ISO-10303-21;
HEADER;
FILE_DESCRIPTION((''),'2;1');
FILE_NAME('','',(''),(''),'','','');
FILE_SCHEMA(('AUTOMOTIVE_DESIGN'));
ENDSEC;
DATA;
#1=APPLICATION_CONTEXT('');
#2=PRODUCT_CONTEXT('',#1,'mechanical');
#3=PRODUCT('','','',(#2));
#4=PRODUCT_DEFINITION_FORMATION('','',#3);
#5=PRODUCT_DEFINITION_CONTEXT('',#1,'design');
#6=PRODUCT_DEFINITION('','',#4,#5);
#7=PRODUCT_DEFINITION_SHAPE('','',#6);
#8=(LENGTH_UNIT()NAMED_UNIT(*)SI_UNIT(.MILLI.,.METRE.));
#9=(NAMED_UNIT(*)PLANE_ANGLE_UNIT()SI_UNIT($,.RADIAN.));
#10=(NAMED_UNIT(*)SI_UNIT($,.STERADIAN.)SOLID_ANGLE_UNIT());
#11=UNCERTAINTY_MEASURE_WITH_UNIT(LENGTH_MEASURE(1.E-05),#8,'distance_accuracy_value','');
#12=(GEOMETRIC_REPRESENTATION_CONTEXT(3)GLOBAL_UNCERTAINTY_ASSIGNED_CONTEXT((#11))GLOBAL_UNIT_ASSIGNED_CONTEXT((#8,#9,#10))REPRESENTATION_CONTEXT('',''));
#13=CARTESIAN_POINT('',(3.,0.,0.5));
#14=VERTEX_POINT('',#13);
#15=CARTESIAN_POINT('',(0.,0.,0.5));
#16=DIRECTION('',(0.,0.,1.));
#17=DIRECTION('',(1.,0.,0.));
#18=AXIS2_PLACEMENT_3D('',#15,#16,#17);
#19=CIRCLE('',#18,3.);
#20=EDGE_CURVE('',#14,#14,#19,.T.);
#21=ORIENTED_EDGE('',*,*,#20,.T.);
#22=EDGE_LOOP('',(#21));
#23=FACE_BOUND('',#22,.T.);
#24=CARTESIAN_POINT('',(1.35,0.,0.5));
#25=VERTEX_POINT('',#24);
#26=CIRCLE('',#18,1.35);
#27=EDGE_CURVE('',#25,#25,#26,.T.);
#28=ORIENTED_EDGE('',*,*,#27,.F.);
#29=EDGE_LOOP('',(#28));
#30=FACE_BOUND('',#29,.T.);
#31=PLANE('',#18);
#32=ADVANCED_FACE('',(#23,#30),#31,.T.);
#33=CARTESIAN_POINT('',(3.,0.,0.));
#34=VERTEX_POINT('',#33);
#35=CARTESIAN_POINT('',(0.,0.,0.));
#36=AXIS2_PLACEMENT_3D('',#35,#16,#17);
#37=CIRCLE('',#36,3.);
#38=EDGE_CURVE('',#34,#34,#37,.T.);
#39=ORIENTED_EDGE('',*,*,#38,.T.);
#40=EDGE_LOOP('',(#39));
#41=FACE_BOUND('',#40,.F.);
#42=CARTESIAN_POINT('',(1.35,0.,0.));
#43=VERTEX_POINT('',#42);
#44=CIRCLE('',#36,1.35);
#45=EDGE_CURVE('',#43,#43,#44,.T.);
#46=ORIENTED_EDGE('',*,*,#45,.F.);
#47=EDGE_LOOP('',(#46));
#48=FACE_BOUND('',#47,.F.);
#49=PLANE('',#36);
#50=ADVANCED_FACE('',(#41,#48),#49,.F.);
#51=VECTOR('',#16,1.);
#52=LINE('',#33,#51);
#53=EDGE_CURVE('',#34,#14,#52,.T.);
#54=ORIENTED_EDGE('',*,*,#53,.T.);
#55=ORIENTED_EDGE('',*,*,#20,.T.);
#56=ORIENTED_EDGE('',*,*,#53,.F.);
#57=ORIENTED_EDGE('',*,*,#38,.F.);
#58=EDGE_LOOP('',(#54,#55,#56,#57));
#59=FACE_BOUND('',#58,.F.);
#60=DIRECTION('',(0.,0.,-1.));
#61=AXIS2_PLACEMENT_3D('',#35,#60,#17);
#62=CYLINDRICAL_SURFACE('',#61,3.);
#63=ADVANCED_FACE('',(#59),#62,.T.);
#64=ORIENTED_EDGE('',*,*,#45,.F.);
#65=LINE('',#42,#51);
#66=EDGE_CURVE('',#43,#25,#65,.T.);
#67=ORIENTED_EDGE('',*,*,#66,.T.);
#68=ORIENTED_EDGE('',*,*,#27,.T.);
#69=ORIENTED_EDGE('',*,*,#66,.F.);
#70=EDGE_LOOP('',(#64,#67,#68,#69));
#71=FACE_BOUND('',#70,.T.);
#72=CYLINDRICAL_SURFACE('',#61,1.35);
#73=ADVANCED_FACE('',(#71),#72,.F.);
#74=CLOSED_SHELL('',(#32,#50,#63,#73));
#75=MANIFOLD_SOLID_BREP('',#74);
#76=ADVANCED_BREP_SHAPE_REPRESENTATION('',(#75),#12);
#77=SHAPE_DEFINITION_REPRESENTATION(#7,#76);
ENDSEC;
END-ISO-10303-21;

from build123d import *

# Parameters (mm, degrees)
SKETCH_1_R      = 3
SKETCH_1_R_2    = 1.35
EXTRUDE_1_DEPTH = 0.5


with BuildPart() as part:
    # Эскиз1 → Бобышка-Вытянуть1 (new body)
    with BuildSketch(Plane.XY):
        Circle(SKETCH_1_R)
        Circle(SKETCH_1_R_2, mode=Mode.SUBTRACT)
    extrude(amount=EXTRUDE_1_DEPTH)


solid = part.part
